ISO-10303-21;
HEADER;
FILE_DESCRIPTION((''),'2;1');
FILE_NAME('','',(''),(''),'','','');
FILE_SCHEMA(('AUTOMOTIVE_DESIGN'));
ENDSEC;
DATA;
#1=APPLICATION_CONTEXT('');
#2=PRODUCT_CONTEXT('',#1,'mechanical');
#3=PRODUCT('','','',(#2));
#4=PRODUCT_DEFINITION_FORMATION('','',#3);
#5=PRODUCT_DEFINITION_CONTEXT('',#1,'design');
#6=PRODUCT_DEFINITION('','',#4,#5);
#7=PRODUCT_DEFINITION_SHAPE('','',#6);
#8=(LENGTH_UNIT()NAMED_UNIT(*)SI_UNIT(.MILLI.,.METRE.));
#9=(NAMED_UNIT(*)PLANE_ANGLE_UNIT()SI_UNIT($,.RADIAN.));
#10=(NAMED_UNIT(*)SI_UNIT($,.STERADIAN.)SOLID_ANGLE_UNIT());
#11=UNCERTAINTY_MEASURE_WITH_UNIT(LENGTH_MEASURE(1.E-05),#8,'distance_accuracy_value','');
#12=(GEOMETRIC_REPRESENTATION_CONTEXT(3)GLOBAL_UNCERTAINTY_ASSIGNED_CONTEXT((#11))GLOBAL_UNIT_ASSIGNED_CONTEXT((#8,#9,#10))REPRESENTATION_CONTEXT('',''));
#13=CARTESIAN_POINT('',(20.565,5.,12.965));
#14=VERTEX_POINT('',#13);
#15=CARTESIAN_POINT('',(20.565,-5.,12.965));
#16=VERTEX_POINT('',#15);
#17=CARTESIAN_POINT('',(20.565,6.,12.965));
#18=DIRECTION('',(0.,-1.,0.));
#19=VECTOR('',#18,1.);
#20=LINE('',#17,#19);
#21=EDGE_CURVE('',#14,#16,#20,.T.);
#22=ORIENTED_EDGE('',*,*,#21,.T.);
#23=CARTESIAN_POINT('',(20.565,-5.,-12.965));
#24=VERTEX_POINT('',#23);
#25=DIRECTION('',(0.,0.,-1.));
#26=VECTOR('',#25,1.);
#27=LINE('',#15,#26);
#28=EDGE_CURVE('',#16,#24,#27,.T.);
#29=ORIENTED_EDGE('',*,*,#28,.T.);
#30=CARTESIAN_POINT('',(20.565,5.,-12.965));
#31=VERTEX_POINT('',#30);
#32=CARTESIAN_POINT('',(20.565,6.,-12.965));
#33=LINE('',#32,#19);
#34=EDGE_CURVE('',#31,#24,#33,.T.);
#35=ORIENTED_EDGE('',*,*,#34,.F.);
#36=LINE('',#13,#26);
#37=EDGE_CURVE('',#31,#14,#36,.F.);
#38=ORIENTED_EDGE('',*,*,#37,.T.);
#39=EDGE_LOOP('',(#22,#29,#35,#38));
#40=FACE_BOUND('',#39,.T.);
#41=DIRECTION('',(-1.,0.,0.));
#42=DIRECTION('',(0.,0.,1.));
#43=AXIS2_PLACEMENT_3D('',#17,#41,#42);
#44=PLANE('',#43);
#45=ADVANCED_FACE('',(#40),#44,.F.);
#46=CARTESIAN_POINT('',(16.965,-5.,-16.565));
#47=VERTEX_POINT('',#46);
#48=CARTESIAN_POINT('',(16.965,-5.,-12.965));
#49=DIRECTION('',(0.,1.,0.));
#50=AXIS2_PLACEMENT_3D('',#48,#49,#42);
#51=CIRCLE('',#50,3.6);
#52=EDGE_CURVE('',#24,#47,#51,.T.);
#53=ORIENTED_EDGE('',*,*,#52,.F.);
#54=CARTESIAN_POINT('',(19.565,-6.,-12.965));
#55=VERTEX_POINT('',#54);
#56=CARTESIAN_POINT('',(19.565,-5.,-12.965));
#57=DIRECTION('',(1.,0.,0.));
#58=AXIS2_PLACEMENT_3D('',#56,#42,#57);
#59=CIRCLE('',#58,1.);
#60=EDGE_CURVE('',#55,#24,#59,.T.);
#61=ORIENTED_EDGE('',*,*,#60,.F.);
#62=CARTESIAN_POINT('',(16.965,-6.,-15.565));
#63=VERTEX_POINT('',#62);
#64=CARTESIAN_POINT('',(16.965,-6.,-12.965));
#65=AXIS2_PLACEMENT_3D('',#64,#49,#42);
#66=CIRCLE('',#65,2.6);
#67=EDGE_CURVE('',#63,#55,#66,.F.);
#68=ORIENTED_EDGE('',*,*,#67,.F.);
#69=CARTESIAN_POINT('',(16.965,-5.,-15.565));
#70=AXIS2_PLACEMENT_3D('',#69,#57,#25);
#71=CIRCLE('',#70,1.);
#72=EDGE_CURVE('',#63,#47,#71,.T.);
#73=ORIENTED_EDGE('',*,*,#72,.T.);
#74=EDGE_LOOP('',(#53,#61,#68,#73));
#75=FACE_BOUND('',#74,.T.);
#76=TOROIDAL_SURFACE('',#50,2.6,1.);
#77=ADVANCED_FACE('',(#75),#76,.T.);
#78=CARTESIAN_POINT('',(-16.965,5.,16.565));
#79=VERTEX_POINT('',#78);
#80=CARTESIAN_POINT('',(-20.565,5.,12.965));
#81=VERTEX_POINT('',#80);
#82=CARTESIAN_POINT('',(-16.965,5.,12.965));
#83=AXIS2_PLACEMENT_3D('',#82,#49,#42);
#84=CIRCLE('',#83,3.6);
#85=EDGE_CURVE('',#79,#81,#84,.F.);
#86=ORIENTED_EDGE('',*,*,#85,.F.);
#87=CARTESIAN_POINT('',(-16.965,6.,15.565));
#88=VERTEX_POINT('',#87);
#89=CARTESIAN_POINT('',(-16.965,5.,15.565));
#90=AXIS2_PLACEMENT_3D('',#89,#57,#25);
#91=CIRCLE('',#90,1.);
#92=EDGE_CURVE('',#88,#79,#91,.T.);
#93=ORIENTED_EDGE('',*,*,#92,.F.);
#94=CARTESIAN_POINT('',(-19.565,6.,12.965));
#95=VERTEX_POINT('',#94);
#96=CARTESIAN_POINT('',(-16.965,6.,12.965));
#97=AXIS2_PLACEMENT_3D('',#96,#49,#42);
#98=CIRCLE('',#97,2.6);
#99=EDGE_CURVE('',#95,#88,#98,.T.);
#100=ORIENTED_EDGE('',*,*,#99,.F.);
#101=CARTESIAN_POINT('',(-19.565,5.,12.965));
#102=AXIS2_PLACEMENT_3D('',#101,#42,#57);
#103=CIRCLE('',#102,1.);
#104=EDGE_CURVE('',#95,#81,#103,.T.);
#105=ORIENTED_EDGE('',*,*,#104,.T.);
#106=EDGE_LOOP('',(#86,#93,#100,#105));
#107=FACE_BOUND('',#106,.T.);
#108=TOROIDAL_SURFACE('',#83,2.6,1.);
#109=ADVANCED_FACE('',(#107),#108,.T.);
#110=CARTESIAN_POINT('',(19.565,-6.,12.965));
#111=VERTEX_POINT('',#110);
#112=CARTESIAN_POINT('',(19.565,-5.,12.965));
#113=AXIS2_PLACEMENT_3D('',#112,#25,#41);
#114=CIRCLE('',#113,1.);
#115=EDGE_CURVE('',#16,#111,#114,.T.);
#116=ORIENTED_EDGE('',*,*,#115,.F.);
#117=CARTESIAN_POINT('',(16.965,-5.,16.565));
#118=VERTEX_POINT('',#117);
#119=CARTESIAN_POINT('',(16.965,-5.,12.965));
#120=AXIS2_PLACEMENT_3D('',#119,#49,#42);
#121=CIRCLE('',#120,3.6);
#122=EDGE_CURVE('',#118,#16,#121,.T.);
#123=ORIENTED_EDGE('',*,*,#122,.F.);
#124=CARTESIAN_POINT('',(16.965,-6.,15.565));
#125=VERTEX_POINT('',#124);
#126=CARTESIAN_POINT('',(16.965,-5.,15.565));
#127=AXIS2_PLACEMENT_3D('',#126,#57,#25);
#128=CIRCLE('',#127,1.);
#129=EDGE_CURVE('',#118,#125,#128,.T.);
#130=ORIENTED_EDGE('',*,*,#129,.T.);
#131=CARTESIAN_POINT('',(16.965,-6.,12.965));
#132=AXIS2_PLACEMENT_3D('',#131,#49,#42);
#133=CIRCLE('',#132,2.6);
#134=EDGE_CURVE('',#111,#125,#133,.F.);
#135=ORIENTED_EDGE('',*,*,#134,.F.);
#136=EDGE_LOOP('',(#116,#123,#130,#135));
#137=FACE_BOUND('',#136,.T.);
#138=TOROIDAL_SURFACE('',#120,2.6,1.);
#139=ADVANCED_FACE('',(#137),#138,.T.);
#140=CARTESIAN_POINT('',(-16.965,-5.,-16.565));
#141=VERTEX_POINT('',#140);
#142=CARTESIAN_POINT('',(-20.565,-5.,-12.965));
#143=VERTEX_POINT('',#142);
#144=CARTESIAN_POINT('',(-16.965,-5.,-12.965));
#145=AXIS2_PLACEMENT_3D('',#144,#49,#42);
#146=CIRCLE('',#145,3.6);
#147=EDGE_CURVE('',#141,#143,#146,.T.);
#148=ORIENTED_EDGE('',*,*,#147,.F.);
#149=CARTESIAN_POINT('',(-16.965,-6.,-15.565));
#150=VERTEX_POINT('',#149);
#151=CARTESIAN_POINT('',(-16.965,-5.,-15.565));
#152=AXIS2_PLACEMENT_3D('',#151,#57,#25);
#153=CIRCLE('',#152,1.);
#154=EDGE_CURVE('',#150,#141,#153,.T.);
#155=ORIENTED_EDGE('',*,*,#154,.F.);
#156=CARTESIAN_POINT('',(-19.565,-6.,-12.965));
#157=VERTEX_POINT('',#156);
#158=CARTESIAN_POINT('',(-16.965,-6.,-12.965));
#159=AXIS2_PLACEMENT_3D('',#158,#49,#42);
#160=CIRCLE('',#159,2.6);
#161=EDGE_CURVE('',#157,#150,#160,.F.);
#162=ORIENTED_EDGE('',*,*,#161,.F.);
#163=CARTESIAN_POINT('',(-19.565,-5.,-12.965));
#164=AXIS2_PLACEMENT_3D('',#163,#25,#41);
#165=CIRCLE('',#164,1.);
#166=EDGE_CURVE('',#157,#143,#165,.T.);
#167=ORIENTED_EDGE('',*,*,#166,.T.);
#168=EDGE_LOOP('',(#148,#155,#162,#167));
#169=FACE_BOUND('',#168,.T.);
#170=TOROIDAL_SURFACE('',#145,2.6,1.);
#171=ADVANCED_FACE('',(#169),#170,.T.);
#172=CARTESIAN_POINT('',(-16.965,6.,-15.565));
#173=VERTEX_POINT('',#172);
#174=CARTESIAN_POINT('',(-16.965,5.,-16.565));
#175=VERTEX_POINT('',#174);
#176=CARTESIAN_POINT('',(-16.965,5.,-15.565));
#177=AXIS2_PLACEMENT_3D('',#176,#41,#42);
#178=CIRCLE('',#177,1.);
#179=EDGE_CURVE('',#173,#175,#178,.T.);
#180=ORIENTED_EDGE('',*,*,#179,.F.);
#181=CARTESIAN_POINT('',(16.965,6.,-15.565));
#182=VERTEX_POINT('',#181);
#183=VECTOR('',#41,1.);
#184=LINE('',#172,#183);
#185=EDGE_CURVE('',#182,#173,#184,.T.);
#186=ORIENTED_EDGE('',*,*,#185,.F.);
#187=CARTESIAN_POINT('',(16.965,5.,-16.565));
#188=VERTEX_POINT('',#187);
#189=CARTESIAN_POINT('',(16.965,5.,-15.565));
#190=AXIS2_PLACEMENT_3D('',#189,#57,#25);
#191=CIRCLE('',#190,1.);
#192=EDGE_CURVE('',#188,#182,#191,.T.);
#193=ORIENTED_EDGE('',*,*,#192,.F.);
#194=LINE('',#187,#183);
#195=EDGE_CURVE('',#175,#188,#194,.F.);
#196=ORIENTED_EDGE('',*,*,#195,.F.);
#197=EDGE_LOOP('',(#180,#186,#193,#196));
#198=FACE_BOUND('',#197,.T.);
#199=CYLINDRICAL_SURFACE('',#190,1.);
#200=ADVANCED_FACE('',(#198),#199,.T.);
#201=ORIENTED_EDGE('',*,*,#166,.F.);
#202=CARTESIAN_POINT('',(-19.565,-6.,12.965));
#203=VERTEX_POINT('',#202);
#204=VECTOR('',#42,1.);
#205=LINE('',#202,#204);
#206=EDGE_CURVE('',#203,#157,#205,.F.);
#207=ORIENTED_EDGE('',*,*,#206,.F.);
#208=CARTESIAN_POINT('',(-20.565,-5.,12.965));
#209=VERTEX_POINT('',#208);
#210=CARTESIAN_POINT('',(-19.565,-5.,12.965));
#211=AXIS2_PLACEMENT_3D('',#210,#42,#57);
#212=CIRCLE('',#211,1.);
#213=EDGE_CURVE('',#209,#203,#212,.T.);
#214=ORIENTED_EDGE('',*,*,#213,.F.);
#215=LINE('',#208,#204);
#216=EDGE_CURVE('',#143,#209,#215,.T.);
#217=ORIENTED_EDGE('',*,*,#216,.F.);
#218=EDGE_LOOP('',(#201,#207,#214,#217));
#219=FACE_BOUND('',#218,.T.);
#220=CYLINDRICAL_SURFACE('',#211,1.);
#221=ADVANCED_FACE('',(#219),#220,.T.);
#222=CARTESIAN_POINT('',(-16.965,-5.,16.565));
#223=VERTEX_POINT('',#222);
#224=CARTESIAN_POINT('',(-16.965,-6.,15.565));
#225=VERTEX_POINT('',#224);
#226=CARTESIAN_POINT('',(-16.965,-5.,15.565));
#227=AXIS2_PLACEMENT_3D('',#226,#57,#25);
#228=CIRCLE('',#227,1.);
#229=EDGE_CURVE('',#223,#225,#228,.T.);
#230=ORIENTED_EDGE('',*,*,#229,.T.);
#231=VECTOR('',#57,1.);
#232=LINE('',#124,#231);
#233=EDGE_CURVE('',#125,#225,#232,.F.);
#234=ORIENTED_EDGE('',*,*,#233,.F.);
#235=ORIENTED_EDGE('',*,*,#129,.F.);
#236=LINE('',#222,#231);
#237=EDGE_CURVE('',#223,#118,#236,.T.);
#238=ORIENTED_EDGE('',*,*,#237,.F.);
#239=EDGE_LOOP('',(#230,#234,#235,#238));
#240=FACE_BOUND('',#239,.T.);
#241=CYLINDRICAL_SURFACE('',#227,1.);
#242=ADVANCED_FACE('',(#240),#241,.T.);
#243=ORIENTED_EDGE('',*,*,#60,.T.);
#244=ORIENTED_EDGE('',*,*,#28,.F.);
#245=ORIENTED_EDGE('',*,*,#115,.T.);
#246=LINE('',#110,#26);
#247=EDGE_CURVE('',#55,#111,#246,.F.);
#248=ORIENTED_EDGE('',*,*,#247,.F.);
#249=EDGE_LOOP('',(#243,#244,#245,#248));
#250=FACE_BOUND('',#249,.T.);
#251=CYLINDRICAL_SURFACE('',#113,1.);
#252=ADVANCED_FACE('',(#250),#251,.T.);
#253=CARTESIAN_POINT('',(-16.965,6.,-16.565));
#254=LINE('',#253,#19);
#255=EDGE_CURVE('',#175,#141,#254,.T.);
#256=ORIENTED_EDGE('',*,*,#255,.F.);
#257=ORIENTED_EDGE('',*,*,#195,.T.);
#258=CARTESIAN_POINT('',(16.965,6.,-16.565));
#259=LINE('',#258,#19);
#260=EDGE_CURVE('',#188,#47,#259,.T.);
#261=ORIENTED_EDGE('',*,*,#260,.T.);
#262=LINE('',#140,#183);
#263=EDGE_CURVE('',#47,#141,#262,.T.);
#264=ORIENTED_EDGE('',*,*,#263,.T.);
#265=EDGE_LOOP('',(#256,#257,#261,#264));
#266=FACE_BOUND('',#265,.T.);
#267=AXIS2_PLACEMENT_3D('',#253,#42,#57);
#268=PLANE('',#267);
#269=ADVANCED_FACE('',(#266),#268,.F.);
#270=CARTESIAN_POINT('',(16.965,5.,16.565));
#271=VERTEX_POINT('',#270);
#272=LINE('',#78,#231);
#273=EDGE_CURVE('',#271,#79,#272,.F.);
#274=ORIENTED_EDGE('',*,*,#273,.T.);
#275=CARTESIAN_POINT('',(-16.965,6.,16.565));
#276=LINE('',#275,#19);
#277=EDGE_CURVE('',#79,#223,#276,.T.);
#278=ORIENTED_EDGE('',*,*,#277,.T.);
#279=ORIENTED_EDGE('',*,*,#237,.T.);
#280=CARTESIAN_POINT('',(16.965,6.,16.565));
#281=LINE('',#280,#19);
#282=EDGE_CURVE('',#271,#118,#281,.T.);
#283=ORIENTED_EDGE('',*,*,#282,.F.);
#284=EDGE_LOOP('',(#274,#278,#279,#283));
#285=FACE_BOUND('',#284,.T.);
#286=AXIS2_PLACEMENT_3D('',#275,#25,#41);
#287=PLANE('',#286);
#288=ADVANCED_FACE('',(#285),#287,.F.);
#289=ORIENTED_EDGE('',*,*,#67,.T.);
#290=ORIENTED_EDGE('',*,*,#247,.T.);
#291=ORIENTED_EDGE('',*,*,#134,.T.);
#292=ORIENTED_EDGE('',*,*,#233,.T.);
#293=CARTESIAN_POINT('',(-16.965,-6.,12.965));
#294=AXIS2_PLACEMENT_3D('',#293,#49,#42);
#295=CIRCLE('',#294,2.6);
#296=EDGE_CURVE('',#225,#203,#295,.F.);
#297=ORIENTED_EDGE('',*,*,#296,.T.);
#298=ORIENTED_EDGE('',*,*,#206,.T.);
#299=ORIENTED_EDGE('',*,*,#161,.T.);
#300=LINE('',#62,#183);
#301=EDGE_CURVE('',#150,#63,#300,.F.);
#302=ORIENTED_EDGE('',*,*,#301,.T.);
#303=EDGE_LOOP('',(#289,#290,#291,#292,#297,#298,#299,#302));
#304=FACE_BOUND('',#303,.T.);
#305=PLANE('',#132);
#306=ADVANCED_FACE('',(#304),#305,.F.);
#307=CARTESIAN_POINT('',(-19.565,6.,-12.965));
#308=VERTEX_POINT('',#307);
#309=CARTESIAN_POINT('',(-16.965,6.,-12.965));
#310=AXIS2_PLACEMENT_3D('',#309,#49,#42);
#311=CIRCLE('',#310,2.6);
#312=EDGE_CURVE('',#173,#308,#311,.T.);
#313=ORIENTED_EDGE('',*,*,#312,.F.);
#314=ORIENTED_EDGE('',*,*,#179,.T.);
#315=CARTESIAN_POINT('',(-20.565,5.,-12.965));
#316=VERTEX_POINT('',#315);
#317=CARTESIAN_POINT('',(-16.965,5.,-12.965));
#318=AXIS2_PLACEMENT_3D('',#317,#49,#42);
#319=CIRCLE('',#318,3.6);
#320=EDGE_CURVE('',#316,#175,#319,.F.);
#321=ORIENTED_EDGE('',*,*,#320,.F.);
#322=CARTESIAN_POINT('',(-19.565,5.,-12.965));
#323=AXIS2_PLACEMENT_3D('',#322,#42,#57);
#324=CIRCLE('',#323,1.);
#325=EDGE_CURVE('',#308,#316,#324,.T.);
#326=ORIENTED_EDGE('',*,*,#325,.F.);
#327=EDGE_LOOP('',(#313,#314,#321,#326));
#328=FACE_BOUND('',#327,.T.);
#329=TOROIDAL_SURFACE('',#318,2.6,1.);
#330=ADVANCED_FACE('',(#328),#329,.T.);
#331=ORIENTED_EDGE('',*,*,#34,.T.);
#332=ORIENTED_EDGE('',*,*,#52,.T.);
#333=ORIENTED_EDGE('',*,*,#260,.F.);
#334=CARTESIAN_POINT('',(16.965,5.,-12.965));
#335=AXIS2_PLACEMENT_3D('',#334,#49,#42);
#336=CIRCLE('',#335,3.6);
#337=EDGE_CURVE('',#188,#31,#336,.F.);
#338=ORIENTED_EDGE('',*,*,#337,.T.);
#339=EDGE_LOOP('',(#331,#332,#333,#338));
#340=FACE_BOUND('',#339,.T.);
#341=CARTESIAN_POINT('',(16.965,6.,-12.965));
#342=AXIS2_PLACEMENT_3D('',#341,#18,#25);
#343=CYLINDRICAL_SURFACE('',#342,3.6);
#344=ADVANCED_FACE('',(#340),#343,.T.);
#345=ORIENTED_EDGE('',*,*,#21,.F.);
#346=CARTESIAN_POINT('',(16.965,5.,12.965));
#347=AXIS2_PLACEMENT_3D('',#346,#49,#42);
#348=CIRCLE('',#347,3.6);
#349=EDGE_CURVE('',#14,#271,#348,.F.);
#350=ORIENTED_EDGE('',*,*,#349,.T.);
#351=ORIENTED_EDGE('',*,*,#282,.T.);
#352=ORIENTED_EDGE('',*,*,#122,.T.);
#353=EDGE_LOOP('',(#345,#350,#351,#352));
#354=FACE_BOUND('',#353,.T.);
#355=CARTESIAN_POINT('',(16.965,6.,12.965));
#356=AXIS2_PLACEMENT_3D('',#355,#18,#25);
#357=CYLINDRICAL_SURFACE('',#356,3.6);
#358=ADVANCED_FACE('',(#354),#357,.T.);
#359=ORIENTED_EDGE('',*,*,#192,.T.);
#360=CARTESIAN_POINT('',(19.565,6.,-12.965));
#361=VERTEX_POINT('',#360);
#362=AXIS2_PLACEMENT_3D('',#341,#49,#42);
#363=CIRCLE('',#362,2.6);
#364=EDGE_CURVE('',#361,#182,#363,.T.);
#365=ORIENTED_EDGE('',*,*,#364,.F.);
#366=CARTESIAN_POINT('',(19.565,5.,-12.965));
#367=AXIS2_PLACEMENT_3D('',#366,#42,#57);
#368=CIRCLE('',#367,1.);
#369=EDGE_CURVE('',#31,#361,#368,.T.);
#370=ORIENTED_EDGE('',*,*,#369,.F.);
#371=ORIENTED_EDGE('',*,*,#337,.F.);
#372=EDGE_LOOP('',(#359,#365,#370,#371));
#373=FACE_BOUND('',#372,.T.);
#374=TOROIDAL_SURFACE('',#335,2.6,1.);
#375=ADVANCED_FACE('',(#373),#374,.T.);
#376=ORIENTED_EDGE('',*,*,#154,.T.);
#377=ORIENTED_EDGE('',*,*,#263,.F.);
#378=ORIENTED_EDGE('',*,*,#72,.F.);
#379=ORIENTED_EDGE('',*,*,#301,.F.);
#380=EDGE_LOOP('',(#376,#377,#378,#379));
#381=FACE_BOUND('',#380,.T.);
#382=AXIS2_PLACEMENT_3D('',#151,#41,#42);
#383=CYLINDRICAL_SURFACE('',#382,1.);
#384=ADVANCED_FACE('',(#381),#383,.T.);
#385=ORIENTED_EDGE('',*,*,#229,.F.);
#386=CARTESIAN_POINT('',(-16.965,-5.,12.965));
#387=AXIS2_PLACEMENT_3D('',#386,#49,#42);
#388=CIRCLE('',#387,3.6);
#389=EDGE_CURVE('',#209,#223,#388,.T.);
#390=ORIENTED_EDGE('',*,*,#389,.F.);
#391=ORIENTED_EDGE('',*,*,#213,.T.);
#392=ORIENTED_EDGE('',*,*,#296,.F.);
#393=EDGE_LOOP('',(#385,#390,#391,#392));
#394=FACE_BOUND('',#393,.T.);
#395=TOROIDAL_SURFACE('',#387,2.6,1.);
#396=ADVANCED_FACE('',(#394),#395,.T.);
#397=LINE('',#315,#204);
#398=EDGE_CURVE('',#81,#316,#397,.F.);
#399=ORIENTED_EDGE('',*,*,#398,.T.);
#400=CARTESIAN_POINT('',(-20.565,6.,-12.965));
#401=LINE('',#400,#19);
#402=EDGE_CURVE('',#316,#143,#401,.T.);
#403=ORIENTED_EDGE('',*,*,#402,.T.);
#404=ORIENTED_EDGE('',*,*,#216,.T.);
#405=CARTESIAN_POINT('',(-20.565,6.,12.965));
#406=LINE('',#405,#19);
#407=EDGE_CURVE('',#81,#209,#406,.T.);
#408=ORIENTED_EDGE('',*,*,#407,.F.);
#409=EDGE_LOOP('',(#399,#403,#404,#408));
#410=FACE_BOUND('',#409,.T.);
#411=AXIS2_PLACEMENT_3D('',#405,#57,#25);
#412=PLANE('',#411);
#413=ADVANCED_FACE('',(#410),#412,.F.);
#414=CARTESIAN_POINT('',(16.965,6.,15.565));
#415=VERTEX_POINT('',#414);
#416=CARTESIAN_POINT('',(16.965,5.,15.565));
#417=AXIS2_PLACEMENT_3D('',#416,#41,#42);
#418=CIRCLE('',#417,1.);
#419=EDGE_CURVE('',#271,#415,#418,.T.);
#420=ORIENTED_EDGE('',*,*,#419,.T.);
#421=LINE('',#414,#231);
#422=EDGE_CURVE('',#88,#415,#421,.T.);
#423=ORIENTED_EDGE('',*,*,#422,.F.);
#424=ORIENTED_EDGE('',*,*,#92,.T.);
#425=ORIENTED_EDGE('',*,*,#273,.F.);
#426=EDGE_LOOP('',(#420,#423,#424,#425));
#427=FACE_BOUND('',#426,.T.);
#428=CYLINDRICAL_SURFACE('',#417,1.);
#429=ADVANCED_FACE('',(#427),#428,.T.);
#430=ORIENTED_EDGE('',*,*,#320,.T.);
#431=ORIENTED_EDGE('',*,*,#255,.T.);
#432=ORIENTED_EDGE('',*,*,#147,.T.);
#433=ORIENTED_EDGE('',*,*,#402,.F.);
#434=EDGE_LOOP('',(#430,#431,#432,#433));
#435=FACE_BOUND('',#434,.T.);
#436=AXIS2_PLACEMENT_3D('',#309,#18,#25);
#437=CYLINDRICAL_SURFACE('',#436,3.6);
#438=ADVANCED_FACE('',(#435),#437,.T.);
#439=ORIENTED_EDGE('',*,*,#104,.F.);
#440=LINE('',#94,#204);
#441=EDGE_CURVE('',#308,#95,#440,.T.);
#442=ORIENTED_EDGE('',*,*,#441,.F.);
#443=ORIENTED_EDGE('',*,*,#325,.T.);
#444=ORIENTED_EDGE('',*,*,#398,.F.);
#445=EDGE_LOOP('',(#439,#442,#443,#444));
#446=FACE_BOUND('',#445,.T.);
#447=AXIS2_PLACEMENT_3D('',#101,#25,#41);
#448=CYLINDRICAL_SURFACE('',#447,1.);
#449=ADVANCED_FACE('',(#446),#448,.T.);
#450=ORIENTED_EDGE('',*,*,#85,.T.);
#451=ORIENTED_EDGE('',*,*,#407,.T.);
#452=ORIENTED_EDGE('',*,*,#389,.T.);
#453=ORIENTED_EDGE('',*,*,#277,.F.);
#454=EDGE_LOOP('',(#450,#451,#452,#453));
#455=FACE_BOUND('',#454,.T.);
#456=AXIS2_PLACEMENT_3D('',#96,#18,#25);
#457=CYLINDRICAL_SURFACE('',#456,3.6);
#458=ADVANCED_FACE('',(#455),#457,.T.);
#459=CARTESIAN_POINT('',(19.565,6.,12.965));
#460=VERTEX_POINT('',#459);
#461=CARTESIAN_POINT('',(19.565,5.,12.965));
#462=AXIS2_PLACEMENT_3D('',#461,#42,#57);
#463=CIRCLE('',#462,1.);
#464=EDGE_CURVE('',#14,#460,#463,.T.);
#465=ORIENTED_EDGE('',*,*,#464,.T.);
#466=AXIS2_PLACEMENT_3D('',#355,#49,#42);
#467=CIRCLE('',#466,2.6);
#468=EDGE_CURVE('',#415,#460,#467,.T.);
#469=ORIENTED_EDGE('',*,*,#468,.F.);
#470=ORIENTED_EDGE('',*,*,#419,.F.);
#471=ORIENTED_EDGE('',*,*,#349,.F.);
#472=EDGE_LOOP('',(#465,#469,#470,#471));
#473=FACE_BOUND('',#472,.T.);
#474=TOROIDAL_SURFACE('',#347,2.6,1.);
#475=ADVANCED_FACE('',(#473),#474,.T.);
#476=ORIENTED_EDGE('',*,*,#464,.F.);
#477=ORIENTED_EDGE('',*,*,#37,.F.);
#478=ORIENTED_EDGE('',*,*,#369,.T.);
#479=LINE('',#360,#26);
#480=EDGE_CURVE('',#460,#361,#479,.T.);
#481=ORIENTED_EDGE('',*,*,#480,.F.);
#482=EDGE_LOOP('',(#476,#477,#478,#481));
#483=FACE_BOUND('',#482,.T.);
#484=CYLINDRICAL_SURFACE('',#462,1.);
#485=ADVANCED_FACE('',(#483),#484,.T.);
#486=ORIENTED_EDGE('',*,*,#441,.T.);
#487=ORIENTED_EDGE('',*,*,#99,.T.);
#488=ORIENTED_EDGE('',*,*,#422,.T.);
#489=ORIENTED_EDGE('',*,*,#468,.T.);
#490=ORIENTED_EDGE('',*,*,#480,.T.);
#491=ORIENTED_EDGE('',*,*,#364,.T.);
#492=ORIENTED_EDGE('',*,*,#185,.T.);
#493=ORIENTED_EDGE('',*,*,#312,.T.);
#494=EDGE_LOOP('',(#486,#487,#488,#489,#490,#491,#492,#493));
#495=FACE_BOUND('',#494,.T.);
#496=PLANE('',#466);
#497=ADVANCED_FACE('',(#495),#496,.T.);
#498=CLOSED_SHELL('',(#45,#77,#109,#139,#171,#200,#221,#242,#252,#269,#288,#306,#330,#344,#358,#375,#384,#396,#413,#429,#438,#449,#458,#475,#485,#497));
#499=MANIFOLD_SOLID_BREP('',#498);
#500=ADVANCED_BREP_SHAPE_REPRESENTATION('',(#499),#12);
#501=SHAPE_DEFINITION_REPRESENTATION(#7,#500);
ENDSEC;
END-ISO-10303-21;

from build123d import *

# Parameters (mm, degrees)
BOSS_EXTRUDE1_DEPTH = 6
FILLET1_R           = 1


with BuildPart() as part:
    # Sketch1 → Boss-Extrude1 (new body, symmetric)
    with BuildSketch(Plane(origin=(0, 0, 0), x_dir=(1, 0, 0), z_dir=(0, 1, 0))):
        with BuildLine():
            Line((-16.965, -16.565), (16.965, -16.565))
            ThreePointArc((16.965, -16.565), (19.510584412, -15.510584412), (20.565, -12.965))
            Line((20.565, -12.965), (20.565, 12.965))
            ThreePointArc((20.565, 12.965), (19.510584412, 15.510584412), (16.965, 16.565))
            Line((16.965, 16.565), (-16.965, 16.565))
            ThreePointArc((-16.965, 16.565), (-19.510584412, 15.510584412), (-20.565, 12.965))
            Line((-20.565, 12.965), (-20.565, -12.965))
            ThreePointArc((-20.565, -12.965), (-19.510584412, -15.510584412), (-16.965, -16.565))
        make_face()
    extrude(amount=BOSS_EXTRUDE1_DEPTH, both=True)

    # Fillet1
    fillet1_edges = [part.edges().sort_by_distance(p)[0] for p in [
        (0, -6, -16.565),
        (19.510584412, -6, -15.510584412),
        (20.565, -6, 0),
        (19.510584412, -6, 15.510584412),
        (19.510584412, 6, -15.510584412),
        (0, 6, -16.565),
        (-19.510584412, 6, -15.510584412),
        (-20.565, 6, 0),
        (-19.510584412, 6, 15.510584412),
        (0, 6, 16.565),
        (19.510584412, 6, 15.510584412),
        (0, -6, 16.565),
        (20.565, 6, 0),
        (-19.510584412, -6, 15.510584412),
        (-20.565, -6, 0),
        (-19.510584412, -6, -15.510584412),
    ]]
    fillet(fillet1_edges, radius=FILLET1_R)


solid = part.part
